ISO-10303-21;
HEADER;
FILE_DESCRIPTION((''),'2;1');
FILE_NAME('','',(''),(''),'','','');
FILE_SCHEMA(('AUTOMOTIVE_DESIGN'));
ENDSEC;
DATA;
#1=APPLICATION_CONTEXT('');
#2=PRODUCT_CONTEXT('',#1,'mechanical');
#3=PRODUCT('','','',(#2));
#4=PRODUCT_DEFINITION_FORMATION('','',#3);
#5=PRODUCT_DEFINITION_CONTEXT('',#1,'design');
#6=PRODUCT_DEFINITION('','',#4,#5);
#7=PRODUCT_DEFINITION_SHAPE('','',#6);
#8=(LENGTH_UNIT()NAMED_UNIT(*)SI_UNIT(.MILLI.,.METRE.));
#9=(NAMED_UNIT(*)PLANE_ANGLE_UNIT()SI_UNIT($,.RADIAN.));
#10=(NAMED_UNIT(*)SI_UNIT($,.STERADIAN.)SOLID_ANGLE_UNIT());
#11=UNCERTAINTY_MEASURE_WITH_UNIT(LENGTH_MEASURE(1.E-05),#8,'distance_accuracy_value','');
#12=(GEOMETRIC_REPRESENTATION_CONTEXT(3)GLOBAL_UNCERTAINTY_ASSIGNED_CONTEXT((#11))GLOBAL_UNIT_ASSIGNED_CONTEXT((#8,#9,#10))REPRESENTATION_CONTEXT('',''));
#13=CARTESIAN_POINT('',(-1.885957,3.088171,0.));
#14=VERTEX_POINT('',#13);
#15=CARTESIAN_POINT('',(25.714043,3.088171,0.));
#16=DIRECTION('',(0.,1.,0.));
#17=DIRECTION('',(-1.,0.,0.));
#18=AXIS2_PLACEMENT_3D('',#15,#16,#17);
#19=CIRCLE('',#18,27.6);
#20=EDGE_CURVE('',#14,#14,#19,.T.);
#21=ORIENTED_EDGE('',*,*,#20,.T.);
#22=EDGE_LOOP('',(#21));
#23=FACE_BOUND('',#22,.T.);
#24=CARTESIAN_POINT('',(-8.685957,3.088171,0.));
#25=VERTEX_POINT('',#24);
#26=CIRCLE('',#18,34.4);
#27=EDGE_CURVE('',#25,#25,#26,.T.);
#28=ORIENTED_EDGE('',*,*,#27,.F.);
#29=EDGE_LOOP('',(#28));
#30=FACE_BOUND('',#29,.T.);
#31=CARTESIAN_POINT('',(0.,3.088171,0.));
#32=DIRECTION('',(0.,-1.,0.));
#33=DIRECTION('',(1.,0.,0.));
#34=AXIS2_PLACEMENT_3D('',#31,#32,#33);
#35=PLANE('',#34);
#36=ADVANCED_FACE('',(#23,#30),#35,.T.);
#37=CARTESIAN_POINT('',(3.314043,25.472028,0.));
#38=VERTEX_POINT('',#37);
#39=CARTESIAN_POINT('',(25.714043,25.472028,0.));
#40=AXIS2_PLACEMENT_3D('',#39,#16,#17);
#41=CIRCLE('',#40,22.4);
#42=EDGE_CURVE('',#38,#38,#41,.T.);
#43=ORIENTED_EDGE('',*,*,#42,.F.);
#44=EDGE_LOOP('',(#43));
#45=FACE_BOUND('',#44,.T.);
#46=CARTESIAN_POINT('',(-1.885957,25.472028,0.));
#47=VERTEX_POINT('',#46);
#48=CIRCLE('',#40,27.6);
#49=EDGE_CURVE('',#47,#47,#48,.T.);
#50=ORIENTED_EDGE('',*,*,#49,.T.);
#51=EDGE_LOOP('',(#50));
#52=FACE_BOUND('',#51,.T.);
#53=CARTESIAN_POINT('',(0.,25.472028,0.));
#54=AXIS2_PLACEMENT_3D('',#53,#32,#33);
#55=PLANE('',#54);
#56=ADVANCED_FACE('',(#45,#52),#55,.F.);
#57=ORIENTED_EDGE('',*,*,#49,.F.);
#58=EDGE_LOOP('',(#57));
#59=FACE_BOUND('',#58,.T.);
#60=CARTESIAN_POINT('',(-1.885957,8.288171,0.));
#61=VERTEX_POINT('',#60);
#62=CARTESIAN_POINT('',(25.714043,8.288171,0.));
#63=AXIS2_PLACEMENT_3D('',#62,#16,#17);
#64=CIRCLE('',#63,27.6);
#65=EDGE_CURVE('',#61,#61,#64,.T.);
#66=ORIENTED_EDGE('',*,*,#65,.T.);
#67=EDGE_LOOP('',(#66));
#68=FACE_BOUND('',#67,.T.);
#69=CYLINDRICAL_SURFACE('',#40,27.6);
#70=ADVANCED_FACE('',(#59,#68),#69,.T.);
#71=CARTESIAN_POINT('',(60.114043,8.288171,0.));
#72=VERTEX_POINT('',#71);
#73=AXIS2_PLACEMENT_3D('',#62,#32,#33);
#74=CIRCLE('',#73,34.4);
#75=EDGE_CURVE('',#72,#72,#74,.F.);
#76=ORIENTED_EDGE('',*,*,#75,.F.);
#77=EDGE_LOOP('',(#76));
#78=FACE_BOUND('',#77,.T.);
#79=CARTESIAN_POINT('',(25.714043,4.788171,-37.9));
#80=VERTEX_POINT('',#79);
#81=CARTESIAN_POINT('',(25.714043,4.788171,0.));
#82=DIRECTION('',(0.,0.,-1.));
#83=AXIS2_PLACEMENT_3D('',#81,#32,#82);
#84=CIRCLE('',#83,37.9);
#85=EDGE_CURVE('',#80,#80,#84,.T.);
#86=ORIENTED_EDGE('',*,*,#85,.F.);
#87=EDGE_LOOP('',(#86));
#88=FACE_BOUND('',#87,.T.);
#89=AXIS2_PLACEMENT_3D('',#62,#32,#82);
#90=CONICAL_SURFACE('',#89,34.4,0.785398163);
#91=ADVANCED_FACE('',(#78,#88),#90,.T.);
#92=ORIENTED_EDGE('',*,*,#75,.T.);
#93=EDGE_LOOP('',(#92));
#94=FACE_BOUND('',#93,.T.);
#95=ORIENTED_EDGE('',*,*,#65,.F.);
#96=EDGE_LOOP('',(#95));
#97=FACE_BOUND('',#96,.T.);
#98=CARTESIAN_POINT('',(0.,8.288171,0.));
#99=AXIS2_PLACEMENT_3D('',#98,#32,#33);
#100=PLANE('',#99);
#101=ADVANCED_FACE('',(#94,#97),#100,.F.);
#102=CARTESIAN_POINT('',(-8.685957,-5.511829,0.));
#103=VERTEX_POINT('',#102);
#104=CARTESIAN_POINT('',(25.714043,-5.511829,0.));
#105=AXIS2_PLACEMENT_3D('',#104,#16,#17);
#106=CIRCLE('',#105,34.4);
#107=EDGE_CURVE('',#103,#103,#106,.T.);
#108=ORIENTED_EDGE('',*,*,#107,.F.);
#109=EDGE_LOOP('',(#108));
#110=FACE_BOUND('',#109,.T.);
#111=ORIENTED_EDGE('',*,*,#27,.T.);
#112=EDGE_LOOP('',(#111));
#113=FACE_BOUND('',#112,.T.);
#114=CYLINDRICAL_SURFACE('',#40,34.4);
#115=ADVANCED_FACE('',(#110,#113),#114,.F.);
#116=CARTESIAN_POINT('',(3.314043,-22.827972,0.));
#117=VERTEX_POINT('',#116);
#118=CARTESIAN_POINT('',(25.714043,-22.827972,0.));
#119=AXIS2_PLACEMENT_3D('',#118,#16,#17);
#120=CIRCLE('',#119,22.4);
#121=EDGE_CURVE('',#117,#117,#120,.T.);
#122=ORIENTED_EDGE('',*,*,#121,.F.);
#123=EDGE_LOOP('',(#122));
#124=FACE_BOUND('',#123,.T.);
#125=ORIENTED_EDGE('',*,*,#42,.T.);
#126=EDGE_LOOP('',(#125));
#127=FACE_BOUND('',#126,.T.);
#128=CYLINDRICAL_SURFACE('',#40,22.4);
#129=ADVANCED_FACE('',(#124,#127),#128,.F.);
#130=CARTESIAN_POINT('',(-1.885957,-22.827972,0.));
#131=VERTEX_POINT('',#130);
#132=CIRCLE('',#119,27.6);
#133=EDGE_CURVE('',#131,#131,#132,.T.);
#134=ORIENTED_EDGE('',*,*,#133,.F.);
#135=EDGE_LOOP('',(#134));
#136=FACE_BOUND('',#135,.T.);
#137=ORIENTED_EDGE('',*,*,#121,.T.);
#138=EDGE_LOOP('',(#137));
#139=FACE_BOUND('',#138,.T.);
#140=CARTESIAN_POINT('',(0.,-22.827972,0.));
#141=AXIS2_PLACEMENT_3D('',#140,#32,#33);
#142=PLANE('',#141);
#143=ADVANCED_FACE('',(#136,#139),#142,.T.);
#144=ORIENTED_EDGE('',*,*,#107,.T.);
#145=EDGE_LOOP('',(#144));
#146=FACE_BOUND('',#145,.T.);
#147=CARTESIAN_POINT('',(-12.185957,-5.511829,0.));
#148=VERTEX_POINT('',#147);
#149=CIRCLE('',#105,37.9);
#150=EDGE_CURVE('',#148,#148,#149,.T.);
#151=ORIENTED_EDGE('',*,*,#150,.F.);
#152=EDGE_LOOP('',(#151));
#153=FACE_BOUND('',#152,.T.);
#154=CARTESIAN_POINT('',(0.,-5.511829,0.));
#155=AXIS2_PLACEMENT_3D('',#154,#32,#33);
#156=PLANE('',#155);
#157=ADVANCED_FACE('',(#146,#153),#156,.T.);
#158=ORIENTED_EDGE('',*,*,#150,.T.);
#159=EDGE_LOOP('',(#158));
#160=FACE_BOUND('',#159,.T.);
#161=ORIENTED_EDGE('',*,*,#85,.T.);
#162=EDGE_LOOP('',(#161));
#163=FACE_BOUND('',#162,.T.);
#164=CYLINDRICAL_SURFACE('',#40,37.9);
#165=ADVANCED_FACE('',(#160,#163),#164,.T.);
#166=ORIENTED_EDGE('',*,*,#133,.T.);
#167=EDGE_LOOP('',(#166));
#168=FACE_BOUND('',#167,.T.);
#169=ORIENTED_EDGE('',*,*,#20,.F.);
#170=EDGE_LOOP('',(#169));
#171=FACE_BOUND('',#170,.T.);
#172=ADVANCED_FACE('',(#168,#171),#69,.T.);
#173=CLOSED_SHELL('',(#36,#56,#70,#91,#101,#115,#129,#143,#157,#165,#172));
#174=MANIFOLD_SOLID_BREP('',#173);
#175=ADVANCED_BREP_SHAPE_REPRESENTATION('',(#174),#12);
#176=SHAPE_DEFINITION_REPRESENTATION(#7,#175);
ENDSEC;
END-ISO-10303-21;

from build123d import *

# Parameters (mm, degrees)
CHAMFER1_SIZE = 3.5


with BuildPart() as part:
    # Sketch1 → Revolve2 (revolve)
    with BuildSketch(Plane.XY):
        Polygon((-8.685956571, 3.088170612), (-1.885956571, 3.088170612), (-1.885956571, -22.827972222), (3.314043429, -22.827972222), (3.314043429, 25.472027778), (-1.885956571, 25.472027778), (-1.885956571, 8.288170612), (-12.185956571, 8.288170612), (-12.185956571, 3.088170612), (-12.185956571, -5.511829388), (-8.685956571, -5.511829388), align=None)
    revolve(axis=Axis((25.714043429, 25.472027778, 0), (0, -1, 0)))

    # Chamfer1
    chamfer1_edges = [part.edges().sort_by_distance(p)[0] for p in [
        (63.614043429, 8.288170612, 0),
    ]]
    chamfer(chamfer1_edges, length=CHAMFER1_SIZE)


solid = part.part
